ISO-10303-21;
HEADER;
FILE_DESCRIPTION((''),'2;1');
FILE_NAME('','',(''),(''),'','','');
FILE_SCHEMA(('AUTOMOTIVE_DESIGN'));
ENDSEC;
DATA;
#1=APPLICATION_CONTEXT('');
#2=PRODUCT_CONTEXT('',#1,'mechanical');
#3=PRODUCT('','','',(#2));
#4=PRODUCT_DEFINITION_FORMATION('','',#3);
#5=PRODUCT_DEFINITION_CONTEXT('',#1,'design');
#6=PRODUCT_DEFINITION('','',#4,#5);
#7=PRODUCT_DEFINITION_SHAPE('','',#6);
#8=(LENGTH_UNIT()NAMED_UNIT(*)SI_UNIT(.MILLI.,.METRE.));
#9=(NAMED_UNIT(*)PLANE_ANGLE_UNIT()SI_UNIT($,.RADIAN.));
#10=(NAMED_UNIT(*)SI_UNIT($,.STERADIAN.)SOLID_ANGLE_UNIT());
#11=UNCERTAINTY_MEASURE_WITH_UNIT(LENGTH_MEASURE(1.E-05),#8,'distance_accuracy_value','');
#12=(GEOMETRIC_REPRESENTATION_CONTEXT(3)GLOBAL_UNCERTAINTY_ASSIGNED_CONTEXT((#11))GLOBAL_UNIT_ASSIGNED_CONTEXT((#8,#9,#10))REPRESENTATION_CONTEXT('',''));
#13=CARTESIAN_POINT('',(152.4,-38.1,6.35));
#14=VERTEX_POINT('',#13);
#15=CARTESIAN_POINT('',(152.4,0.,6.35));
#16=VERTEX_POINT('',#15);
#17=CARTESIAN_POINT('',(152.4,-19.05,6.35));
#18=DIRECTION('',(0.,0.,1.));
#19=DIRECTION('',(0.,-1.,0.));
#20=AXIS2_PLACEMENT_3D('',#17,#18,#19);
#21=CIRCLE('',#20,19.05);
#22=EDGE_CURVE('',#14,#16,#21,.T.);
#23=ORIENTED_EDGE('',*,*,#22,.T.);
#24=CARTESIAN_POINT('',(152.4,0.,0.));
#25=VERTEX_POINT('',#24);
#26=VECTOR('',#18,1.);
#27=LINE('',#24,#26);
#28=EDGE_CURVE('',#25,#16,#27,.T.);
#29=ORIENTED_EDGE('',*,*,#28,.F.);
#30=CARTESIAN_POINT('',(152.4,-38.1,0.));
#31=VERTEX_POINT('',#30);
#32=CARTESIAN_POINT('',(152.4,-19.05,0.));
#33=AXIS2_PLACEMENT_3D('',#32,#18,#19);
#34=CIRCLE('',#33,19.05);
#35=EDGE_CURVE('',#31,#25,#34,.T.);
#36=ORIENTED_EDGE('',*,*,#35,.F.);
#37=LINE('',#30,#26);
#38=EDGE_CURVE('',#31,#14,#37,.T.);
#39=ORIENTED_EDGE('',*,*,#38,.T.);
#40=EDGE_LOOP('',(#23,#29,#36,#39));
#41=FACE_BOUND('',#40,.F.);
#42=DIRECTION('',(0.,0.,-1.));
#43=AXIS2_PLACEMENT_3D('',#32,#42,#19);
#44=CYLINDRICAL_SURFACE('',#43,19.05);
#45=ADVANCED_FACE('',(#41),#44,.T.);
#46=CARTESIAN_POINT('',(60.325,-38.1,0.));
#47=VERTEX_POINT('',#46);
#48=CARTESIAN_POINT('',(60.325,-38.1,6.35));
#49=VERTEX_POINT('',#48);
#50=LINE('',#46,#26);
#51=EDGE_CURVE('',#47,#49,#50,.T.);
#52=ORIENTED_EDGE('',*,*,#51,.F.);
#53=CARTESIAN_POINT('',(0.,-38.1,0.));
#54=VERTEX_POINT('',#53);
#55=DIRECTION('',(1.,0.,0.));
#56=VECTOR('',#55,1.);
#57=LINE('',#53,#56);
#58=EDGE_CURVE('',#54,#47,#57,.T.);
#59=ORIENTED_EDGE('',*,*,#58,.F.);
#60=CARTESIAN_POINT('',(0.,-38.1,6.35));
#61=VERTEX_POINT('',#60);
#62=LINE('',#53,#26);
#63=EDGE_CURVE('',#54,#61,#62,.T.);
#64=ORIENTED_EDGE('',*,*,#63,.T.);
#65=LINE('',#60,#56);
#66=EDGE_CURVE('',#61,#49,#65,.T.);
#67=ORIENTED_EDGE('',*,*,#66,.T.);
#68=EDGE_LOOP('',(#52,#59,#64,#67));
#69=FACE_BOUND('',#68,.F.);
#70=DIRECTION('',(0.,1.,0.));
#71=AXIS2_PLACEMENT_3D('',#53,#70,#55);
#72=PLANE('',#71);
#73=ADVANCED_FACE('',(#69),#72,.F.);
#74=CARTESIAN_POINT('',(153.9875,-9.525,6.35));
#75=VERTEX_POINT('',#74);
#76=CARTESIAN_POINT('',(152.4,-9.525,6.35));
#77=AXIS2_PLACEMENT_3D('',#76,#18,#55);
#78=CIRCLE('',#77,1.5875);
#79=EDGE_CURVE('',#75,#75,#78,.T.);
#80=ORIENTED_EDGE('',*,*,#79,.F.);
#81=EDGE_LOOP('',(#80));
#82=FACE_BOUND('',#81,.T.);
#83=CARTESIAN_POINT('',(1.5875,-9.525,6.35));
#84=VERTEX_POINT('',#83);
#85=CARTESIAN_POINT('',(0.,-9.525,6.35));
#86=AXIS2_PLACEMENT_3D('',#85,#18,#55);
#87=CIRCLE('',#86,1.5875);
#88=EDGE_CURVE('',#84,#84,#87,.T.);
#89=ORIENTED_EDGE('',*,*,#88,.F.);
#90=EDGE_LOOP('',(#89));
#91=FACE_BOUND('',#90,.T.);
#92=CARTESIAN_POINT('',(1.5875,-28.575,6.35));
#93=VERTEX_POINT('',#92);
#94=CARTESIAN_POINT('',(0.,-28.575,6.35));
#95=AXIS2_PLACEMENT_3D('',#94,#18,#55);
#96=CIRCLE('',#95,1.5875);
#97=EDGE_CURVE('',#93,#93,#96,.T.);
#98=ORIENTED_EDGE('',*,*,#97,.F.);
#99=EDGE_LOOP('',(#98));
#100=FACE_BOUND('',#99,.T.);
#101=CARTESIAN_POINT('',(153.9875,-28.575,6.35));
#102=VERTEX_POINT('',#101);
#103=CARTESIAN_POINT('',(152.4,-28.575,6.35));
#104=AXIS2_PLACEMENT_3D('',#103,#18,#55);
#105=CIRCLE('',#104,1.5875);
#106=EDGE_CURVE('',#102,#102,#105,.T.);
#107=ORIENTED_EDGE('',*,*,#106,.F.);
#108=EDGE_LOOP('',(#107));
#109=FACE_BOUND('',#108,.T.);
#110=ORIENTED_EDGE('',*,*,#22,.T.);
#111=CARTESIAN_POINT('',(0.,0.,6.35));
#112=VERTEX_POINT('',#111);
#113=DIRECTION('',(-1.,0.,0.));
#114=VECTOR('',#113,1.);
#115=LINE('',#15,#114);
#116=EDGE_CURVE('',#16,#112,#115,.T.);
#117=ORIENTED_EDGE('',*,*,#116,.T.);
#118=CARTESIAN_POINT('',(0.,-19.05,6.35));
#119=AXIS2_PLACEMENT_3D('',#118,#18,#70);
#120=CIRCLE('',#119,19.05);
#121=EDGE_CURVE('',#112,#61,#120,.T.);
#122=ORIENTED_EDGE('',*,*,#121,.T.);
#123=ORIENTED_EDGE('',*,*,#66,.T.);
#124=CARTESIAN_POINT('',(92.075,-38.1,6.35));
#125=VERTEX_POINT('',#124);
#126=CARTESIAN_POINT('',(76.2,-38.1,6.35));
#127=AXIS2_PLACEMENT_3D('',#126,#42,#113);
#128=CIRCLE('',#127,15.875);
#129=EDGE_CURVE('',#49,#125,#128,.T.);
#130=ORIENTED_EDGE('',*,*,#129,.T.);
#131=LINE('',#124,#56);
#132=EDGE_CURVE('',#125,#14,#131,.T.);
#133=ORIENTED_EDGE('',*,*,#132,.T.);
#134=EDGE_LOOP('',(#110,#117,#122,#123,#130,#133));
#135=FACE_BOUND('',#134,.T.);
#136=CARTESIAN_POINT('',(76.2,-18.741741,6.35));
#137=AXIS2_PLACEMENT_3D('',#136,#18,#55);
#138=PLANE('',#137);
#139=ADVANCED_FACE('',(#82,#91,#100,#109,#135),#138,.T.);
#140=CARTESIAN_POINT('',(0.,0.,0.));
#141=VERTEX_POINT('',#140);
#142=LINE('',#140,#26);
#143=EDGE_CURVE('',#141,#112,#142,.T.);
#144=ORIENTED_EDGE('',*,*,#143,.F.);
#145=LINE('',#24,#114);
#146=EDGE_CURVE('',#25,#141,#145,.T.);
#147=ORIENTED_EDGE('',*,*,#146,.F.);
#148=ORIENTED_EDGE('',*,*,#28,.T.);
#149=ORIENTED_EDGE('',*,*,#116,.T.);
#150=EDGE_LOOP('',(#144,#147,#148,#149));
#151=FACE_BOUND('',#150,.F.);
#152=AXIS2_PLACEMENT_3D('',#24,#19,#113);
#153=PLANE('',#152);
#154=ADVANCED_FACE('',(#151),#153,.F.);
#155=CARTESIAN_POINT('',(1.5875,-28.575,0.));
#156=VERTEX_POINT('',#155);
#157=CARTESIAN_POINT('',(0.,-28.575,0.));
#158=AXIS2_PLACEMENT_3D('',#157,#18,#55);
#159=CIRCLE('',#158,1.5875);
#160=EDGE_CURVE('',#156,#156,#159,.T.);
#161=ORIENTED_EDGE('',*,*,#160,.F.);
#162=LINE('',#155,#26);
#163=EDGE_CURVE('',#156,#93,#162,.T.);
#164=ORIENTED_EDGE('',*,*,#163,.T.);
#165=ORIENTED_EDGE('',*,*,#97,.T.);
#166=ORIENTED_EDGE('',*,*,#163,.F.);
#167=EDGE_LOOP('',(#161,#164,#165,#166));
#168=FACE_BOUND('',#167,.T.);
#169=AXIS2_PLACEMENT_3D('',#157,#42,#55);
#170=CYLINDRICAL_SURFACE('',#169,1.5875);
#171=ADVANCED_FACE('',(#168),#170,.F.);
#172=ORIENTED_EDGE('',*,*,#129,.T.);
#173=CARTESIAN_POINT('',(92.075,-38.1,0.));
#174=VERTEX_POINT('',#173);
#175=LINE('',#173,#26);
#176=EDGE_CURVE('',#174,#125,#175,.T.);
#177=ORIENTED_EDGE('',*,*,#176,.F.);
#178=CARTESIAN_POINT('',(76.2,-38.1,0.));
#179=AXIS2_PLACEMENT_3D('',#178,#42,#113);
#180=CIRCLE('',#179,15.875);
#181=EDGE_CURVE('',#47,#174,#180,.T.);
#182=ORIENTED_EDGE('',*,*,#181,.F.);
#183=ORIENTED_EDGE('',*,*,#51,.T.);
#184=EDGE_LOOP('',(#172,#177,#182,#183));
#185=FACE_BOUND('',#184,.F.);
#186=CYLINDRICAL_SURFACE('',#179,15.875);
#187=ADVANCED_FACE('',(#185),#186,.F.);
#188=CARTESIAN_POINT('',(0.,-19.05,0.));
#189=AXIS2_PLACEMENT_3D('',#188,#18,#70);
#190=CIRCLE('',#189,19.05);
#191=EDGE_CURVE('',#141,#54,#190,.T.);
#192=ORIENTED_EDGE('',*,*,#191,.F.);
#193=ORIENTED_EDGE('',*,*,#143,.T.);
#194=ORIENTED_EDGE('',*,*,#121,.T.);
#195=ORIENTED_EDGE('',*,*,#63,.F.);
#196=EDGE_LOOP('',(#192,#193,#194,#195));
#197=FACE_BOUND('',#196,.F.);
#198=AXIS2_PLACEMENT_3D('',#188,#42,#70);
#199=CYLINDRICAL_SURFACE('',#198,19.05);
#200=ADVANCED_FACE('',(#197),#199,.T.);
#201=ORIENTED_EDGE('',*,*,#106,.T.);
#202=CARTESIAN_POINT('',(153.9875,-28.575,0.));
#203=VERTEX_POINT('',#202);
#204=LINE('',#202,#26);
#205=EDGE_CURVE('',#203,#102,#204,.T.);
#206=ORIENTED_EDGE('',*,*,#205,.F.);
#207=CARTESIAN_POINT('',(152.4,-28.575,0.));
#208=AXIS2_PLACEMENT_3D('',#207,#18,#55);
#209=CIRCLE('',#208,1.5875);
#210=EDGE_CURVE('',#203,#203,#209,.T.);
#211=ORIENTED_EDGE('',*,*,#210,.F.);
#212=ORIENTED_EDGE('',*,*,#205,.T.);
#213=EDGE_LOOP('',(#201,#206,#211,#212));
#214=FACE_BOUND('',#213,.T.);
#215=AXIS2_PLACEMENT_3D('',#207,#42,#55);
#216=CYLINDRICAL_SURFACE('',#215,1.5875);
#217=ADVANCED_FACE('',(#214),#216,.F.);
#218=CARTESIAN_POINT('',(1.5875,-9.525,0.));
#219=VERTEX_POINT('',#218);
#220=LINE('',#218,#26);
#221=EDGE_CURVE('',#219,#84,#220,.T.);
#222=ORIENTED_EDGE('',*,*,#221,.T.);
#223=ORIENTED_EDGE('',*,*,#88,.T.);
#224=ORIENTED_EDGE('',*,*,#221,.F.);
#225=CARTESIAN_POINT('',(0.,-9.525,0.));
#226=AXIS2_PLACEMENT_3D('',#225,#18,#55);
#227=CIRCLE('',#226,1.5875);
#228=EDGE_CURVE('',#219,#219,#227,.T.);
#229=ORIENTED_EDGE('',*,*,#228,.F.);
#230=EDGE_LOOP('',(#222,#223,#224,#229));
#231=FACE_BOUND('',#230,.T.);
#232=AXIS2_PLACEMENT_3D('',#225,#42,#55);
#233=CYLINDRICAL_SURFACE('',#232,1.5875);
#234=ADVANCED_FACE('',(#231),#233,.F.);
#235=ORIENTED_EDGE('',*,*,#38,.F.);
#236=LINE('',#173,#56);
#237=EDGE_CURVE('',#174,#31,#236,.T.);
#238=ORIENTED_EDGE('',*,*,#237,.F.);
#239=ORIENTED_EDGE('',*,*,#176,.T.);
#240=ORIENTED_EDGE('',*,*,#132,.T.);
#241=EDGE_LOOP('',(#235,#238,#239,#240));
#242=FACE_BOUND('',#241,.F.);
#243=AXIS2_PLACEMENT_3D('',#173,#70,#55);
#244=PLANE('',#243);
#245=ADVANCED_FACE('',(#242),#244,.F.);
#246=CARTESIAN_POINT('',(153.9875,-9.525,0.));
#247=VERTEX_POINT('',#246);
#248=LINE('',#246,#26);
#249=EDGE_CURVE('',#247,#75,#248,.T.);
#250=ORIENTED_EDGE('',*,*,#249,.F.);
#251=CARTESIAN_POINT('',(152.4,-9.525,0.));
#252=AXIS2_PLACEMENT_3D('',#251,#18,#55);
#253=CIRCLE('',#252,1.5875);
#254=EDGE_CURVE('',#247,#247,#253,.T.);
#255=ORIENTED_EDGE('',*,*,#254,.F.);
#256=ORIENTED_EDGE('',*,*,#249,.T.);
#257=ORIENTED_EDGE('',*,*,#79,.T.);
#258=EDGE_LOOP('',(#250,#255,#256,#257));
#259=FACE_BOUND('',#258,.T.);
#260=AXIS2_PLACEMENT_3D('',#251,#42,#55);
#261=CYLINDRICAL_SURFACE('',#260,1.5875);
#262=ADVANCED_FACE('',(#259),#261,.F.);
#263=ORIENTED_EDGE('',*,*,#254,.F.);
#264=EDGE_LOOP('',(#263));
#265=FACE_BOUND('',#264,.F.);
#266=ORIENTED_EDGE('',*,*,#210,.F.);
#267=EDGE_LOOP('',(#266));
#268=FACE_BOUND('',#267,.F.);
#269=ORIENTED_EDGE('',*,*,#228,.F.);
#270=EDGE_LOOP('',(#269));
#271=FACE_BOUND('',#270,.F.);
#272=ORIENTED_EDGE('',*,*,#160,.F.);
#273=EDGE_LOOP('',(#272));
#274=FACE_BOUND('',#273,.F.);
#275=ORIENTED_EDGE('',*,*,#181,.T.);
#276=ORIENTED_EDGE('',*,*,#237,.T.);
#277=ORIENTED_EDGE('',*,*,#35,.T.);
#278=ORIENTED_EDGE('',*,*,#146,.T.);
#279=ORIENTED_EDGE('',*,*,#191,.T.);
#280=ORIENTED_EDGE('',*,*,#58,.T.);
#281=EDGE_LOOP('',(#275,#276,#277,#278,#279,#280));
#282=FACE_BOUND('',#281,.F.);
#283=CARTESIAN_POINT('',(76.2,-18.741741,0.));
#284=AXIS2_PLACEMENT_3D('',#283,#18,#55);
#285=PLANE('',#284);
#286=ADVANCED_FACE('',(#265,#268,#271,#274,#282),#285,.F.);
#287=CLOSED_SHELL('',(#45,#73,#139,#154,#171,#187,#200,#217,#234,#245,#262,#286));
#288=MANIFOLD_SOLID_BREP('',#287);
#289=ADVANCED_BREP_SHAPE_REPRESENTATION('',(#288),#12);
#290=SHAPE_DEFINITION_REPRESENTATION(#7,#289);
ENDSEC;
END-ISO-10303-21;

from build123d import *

# Parameters (mm, degrees)
F0_R     = 1.5875
F1_DEPTH = 6.35


with BuildPart() as f1:
    # F0 (on Top) → F1 (new body)
    with BuildSketch(Plane.XY):
        with BuildLine():
            Line((152.4, 0), (0, 0))
            ThreePointArc((0, 0), (-19.05, -19.05), (0, -38.1))
            Line((0, -38.1), (60.325, -38.1))
            ThreePointArc((60.325, -38.1), (76.2, -22.225), (92.075, -38.1))
            Line((92.075, -38.1), (152.4, -38.1))
            ThreePointArc((152.4, -38.1), (171.45, -19.05), (152.4, 0))
        make_face()
        with Locations((0, -28.575)):
            Circle(F0_R, mode=Mode.SUBTRACT)
        with Locations((152.4, -28.575)):
            Circle(F0_R, mode=Mode.SUBTRACT)
        with Locations((0, -9.525)):
            Circle(F0_R, mode=Mode.SUBTRACT)
        with Locations((152.4, -9.525)):
            Circle(F0_R, mode=Mode.SUBTRACT)
    extrude(amount=F1_DEPTH)


solid = f1.part
